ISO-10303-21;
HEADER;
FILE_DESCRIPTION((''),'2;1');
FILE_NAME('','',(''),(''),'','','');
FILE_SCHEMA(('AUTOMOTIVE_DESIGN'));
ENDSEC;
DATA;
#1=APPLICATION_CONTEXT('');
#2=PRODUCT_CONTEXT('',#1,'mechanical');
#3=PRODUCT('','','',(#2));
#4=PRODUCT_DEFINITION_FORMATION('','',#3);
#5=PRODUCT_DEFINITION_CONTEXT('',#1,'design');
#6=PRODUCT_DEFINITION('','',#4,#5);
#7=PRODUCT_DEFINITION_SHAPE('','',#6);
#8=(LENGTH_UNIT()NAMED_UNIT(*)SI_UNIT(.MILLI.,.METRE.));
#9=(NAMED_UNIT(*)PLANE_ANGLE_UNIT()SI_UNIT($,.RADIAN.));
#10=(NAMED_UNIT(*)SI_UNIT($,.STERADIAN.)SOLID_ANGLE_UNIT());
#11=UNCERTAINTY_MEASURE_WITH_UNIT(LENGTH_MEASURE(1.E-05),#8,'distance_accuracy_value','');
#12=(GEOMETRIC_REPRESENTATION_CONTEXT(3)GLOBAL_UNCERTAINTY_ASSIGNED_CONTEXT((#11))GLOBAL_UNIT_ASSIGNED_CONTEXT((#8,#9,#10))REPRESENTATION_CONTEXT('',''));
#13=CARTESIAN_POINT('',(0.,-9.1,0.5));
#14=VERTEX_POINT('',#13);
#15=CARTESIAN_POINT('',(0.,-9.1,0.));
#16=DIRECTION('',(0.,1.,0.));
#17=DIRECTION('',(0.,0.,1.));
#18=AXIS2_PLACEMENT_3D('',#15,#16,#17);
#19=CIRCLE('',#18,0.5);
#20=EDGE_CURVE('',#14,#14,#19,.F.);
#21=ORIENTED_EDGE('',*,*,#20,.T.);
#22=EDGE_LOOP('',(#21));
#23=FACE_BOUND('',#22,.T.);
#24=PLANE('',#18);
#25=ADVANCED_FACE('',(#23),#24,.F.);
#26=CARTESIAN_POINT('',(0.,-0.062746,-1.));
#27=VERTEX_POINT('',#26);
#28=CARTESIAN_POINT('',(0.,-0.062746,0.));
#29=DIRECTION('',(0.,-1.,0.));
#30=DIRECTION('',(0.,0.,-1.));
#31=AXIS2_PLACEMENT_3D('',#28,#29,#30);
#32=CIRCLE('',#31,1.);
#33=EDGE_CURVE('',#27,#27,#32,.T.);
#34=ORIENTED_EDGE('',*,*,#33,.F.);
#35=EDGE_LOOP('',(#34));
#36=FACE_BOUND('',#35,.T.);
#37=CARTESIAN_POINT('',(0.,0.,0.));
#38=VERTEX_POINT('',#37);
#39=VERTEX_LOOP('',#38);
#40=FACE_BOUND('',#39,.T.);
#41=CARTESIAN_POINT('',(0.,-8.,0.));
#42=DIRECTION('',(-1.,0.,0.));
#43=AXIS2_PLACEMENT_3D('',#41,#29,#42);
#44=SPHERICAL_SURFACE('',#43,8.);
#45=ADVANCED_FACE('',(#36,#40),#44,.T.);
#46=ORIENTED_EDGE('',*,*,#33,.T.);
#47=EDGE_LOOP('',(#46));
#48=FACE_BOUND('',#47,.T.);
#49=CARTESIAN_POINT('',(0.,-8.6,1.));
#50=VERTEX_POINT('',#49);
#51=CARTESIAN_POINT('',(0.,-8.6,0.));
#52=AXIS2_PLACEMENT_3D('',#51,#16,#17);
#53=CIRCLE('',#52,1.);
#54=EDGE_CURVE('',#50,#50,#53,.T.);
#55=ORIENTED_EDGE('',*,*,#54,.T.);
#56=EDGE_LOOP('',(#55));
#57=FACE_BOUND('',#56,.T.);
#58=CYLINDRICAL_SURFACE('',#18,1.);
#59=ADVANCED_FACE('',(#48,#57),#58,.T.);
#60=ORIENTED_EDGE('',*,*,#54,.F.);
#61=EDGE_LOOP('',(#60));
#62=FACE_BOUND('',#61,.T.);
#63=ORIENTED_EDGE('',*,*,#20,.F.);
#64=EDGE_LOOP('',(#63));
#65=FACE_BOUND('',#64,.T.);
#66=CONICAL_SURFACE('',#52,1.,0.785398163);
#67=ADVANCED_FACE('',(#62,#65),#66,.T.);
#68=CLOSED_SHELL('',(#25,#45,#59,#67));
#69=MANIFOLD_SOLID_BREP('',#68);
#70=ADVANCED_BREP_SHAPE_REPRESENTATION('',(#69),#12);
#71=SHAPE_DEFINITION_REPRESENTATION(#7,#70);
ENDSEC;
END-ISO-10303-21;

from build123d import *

# Parameters (mm, degrees)
SKETCH1_R                 = 1
BOSS_EXTRUDE_9_10MM_DEPTH = 9.1
F_0_5_X_45_DEG_SIZE       = 0.5


with BuildPart() as part:
    # Sketch1 → Boss-Extrude 9.10mm (new body)
    with BuildSketch(Plane(origin=(0, 0, 0), x_dir=(1, 0, 0), z_dir=(0, 1, 0))):
        Circle(SKETCH1_R)
    extrude(amount=-BOSS_EXTRUDE_9_10MM_DEPTH)

    # 0.5 x 45 deg
    f_0_5_x_45_deg_edges = [part.edges().sort_by_distance(p)[0] for p in [
        (-1, -9.1, 0),
    ]]
    chamfer(f_0_5_x_45_deg_edges, length=F_0_5_X_45_DEG_SIZE)

    # Sketch2 → SR8 (revolve, cut)
    with BuildSketch(Plane.XY):
        with BuildLine():
            Line((0, 2), (-2, 2))
            Line((-2, 2), (-2, -0.254033308))
            ThreePointArc((-2, -0.254033308), (-1.00803434, -0.06376243), (0, 0))
            Line((0, 0), (0, 2))
        make_face()
    revolve(axis=Axis((0, 0, 0), (0, 1, 0)), mode=Mode.SUBTRACT)


solid = part.part
